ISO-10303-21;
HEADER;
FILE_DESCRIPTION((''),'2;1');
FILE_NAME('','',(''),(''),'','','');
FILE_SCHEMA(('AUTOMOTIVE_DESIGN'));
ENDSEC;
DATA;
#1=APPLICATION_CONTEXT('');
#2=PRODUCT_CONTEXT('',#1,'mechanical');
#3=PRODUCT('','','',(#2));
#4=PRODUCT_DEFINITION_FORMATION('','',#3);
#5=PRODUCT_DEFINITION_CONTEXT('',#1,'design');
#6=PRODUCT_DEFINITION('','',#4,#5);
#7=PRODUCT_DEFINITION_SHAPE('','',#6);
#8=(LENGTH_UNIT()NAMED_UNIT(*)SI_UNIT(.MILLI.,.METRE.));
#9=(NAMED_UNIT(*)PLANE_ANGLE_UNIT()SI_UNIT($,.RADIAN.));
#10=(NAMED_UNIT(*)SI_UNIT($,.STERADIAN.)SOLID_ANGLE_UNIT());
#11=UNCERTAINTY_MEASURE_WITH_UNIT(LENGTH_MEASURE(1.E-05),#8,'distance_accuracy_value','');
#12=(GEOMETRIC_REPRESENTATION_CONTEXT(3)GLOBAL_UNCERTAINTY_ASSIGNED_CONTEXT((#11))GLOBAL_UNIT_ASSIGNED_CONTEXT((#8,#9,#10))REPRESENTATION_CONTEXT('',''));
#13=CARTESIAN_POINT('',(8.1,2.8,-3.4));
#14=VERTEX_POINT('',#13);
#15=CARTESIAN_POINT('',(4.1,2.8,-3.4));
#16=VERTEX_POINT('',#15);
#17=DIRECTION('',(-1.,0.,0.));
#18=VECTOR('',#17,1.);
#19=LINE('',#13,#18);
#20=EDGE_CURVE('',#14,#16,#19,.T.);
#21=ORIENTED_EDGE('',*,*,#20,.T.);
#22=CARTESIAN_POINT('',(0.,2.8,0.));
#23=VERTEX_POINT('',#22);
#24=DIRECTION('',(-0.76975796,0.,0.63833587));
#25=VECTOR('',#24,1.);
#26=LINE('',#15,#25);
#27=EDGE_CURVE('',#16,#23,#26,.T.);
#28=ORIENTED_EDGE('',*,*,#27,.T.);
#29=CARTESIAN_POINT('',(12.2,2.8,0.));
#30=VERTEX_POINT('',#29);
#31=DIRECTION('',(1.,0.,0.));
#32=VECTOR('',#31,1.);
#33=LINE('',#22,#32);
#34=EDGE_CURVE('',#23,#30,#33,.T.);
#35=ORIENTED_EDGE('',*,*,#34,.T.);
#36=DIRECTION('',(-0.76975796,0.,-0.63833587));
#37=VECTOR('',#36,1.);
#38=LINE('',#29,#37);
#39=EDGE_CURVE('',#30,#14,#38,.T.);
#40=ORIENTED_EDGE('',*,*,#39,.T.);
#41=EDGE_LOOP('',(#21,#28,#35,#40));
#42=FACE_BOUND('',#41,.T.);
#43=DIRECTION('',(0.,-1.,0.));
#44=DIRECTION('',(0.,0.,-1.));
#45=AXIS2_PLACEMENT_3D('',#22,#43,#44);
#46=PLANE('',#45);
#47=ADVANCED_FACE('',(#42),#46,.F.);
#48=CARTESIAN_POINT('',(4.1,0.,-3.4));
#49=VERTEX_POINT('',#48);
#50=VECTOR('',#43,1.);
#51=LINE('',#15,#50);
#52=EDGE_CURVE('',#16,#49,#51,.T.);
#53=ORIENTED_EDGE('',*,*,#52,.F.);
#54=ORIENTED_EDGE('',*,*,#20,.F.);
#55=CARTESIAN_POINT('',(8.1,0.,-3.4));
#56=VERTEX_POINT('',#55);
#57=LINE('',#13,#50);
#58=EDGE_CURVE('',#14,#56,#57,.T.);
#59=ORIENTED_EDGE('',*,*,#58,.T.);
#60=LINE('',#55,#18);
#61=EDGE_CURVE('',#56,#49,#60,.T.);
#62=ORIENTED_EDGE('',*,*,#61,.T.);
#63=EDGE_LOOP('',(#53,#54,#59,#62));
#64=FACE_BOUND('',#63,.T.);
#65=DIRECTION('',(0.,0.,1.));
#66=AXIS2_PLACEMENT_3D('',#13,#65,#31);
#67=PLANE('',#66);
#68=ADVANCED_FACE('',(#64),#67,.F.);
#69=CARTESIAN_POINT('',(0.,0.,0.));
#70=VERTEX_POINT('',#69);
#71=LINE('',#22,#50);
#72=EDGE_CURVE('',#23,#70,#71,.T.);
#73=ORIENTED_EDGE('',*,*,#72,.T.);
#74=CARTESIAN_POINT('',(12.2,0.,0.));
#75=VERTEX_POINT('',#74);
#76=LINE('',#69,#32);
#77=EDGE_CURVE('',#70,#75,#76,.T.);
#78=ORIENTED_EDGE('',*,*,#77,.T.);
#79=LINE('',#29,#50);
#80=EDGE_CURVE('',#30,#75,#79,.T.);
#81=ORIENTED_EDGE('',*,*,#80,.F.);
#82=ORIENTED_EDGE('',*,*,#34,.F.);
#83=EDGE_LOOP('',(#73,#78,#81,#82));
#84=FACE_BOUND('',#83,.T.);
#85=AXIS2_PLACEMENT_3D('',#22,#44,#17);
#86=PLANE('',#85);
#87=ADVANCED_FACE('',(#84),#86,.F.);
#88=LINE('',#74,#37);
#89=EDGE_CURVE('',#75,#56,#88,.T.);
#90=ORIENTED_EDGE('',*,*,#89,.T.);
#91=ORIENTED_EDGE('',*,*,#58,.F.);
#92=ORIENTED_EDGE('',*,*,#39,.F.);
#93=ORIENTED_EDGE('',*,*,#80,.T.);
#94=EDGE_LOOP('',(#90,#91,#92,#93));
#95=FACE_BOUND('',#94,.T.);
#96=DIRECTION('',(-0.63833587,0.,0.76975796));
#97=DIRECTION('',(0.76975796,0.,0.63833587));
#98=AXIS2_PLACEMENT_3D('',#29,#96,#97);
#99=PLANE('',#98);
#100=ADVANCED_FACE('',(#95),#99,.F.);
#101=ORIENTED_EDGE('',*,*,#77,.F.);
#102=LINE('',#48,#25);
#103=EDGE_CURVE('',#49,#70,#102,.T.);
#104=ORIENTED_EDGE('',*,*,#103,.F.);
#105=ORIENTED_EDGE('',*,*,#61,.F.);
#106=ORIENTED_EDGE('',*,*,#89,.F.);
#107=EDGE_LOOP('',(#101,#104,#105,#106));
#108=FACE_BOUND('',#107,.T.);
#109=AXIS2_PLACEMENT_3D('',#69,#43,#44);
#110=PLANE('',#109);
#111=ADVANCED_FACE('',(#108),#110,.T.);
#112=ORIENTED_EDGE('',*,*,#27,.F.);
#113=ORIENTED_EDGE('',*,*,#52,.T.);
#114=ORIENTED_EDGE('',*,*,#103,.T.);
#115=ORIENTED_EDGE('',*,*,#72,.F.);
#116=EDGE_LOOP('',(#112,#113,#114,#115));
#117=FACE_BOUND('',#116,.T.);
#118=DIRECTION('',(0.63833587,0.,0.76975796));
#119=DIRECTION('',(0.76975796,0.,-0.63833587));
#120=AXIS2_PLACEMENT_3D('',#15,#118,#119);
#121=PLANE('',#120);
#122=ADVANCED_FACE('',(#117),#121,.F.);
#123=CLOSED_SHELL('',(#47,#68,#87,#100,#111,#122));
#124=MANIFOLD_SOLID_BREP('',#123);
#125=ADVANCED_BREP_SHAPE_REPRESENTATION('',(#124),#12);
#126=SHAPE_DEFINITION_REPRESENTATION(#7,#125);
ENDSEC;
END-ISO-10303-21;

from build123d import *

# Parameters (mm, degrees)
BOSS_EXTRU_1_DEPTH = 2.8


with BuildPart() as part:
    # Esquisse1 → Boss.-Extru.1 (new body)
    with BuildSketch(Plane(origin=(0, 0, 0), x_dir=(1, 0, 0), z_dir=(0, 1, 0))):
        Polygon((0, 0), (12.2, 0), (8.1, 3.4), (4.1, 3.4), align=None)
    extrude(amount=BOSS_EXTRU_1_DEPTH)


solid = part.part
